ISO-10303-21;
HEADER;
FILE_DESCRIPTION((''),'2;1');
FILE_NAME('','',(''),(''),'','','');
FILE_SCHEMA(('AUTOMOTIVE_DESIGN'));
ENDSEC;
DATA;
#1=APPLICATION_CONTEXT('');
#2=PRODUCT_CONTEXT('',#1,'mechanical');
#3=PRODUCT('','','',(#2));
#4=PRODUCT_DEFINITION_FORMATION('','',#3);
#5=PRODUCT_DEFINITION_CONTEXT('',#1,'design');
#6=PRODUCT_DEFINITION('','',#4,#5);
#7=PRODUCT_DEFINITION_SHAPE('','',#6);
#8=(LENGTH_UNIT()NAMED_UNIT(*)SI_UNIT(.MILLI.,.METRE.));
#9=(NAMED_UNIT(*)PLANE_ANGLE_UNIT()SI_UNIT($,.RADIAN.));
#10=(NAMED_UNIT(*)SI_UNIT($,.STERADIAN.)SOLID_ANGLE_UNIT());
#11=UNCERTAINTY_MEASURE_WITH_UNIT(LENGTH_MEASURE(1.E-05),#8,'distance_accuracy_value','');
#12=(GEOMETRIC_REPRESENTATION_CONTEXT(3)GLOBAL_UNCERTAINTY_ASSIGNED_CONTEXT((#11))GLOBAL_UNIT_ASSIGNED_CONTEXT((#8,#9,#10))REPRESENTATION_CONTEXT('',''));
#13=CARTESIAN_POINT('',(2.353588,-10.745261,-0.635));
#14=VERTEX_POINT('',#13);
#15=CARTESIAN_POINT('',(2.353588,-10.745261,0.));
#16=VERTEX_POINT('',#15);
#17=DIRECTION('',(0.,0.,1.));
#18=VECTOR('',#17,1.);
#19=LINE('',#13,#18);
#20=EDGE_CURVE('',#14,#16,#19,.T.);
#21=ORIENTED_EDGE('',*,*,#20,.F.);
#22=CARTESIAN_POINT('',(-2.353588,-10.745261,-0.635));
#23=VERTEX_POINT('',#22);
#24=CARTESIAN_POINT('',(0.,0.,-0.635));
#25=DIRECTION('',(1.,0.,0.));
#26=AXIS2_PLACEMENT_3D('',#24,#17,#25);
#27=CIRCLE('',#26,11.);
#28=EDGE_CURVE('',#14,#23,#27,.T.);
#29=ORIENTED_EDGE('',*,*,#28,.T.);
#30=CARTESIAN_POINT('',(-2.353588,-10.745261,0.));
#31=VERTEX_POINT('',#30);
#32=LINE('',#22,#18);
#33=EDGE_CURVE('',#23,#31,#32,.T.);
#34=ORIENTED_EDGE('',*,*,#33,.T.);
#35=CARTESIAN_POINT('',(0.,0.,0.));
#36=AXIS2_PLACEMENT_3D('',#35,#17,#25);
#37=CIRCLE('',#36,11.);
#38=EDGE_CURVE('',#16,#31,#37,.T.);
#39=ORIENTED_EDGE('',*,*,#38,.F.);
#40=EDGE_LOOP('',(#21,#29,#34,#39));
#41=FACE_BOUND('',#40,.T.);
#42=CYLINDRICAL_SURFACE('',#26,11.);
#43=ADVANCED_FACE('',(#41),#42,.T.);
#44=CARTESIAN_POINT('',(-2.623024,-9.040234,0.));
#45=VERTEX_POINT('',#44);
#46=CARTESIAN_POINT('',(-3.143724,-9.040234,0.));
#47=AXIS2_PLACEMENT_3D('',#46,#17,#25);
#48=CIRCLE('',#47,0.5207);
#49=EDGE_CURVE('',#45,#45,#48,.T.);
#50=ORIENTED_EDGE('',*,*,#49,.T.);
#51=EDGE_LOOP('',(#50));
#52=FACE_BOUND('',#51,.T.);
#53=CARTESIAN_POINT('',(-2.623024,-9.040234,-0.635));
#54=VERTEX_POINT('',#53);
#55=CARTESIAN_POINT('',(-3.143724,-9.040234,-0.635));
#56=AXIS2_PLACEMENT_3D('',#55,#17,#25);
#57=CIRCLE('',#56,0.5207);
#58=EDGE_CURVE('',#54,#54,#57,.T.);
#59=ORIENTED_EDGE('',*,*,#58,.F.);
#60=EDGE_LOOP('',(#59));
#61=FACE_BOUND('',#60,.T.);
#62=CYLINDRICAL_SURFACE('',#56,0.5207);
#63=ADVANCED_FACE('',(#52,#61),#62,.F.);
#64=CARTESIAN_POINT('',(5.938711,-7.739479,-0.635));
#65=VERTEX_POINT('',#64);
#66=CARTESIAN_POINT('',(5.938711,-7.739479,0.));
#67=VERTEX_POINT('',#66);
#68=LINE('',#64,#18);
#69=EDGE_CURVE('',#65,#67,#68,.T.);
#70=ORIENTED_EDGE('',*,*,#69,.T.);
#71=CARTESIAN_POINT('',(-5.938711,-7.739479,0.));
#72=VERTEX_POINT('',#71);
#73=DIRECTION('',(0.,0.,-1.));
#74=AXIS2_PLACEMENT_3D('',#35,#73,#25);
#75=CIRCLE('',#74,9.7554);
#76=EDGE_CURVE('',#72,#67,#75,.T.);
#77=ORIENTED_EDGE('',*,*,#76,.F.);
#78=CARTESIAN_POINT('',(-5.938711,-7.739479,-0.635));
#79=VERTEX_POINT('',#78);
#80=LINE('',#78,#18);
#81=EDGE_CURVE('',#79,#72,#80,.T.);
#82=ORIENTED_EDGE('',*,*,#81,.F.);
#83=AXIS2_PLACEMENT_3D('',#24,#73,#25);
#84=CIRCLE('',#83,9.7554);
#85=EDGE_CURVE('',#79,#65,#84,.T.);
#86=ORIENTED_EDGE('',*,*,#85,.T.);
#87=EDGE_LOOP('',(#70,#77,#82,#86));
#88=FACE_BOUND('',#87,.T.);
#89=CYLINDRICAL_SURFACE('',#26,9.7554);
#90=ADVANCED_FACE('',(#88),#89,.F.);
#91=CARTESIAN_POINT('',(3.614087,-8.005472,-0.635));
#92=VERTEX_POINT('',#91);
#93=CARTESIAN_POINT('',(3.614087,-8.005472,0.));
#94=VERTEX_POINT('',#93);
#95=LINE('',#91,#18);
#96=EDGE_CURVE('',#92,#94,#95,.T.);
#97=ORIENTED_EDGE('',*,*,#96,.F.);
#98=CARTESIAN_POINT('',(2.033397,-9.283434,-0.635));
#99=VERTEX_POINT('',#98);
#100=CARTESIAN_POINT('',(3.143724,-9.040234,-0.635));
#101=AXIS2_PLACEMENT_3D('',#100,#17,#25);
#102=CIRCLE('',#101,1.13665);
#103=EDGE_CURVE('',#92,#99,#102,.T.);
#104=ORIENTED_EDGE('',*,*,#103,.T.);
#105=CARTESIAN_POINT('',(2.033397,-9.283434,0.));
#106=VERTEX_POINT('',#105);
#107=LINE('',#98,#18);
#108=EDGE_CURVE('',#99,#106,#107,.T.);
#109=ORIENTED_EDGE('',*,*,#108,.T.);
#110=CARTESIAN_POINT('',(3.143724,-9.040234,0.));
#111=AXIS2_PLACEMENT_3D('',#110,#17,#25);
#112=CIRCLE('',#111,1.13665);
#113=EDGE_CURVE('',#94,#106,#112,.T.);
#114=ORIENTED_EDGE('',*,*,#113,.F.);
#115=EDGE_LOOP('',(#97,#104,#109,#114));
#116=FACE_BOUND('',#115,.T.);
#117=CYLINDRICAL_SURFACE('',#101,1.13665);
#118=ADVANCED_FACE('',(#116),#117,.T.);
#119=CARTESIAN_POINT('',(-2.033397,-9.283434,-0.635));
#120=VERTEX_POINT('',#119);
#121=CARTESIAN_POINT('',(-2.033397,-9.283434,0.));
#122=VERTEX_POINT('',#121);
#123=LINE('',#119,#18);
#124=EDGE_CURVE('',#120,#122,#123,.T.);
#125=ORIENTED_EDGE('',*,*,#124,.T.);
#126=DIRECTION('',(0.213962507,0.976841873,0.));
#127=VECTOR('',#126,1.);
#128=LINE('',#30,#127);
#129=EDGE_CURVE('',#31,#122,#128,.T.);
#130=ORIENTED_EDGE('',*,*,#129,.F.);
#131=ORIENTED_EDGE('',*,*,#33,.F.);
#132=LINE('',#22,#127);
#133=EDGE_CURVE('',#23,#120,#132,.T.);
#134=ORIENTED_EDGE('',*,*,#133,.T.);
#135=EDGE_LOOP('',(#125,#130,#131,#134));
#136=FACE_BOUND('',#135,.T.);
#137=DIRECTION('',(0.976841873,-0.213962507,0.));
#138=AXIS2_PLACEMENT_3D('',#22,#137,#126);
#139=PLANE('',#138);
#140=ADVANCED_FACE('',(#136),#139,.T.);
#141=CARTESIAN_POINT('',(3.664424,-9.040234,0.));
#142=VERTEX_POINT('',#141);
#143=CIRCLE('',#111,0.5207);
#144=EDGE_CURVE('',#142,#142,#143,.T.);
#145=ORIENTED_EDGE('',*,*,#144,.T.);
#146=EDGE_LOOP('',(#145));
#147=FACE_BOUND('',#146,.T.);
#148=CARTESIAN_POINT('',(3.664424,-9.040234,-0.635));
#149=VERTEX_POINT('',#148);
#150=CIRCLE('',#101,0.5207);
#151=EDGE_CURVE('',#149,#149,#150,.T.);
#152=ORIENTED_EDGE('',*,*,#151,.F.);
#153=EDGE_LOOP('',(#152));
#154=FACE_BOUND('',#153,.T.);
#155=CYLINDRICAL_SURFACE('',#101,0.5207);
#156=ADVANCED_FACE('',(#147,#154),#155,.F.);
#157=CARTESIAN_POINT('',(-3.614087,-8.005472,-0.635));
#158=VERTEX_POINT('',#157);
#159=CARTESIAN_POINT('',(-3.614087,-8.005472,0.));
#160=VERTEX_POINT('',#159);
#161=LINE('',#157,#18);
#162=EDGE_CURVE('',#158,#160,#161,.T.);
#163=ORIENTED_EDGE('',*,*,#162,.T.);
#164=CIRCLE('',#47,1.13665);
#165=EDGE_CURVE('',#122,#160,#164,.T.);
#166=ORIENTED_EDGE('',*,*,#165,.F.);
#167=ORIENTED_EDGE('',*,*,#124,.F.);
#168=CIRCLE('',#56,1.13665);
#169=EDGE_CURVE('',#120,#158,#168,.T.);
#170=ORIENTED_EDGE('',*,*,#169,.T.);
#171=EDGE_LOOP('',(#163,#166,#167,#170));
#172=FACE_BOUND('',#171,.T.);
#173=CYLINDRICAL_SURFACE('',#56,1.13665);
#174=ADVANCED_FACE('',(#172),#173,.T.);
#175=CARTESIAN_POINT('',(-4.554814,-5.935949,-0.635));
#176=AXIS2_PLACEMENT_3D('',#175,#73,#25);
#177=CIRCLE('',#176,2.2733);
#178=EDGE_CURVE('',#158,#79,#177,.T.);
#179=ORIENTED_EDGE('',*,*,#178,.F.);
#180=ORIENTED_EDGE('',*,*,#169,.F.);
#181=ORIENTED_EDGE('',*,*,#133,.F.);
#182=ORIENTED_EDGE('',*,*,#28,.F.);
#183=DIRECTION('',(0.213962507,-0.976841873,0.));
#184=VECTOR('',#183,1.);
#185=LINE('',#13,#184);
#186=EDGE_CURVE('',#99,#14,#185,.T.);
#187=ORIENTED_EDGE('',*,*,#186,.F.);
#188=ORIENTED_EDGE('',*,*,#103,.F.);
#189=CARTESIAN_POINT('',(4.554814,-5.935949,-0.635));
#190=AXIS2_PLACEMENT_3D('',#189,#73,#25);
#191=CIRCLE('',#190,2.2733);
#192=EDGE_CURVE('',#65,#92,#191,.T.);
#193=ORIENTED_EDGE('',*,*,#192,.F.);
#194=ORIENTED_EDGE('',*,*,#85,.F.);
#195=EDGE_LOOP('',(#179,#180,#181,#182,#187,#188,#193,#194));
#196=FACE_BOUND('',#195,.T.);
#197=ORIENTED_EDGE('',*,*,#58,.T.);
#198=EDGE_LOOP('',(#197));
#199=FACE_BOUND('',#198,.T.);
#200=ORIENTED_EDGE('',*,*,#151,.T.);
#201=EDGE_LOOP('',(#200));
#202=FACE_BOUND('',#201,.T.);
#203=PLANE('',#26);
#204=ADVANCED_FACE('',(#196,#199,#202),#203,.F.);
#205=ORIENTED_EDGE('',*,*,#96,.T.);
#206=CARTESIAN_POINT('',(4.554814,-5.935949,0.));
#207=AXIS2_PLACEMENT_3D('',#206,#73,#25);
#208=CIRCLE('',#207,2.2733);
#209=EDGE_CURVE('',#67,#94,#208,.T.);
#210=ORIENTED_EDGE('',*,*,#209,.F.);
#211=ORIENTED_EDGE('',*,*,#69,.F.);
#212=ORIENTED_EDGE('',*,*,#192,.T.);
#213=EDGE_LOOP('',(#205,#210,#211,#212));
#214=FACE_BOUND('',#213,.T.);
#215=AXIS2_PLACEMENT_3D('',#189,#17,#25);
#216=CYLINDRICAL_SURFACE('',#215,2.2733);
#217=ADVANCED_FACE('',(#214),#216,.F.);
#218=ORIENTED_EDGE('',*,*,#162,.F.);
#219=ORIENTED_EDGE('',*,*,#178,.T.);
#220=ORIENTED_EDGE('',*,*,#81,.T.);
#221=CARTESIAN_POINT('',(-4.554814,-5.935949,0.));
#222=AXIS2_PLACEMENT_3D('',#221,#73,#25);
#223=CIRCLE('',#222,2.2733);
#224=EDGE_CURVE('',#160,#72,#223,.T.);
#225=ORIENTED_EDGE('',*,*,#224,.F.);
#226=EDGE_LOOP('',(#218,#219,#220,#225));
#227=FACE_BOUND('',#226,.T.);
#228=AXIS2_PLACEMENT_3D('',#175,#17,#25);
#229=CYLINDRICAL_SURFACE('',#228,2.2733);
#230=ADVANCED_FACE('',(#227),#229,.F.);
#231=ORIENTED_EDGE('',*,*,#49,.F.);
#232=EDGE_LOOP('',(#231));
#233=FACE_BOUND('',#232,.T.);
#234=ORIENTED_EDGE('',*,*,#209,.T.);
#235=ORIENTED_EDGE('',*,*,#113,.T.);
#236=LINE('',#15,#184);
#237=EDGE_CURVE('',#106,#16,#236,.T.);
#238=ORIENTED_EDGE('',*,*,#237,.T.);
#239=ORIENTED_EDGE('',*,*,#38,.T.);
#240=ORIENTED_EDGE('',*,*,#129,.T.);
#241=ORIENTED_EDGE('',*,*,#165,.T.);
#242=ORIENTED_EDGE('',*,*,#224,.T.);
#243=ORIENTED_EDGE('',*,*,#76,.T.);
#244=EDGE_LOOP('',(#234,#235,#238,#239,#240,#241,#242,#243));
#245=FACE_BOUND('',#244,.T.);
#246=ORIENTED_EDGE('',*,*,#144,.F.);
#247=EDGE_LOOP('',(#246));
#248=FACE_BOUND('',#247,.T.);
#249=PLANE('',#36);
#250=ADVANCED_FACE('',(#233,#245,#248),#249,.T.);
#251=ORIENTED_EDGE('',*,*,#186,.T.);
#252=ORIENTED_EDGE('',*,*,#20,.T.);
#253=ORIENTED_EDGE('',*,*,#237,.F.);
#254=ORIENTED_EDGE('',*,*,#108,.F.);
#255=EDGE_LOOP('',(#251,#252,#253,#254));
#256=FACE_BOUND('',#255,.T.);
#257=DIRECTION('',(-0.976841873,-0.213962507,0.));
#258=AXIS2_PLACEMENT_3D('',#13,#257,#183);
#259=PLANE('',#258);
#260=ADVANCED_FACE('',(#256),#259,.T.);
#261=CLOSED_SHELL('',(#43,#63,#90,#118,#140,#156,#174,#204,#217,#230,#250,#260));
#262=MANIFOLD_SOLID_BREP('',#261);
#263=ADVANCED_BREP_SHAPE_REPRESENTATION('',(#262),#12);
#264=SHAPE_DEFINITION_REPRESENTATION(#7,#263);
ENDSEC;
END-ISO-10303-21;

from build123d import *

# Parameters (mm, degrees)
BODYSKE_R  = 0.5207
BODY_DEPTH = 0.635


with BuildPart() as part:
    # BodySke → Body (new body)
    with BuildSketch(Plane.XY):
        with BuildLine():
            Line((2.353587579, -10.745260607), (2.033396527, -9.283434273))
            ThreePointArc((2.033396527, -9.283434273), (2.429101401, -8.156328823), (3.614087191, -8.005472202))
            ThreePointArc((3.614087191, -8.005472202), (4.813247885, -8.19451157), (5.938711245, -7.739479176))
            ThreePointArc((5.938711245, -7.739479176), (0, 9.7554), (-5.938711245, -7.739479176))
            ThreePointArc((-5.938711245, -7.739479176), (-4.813247885, -8.19451157), (-3.614087191, -8.005472202))
            ThreePointArc((-3.614087191, -8.005472202), (-2.429101401, -8.156328823), (-2.033396527, -9.283434273))
            Line((-2.033396527, -9.283434273), (-2.353587579, -10.745260607))
            ThreePointArc((-2.353587579, -10.745260607), (0, 11), (2.353587579, -10.745260607))
        make_face()
        with Locations((3.143723842, -9.040233789)):
            Circle(BODYSKE_R, mode=Mode.SUBTRACT)
        with Locations((-3.143723842, -9.040233789)):
            Circle(BODYSKE_R, mode=Mode.SUBTRACT)
    extrude(amount=-BODY_DEPTH)


solid = part.part
